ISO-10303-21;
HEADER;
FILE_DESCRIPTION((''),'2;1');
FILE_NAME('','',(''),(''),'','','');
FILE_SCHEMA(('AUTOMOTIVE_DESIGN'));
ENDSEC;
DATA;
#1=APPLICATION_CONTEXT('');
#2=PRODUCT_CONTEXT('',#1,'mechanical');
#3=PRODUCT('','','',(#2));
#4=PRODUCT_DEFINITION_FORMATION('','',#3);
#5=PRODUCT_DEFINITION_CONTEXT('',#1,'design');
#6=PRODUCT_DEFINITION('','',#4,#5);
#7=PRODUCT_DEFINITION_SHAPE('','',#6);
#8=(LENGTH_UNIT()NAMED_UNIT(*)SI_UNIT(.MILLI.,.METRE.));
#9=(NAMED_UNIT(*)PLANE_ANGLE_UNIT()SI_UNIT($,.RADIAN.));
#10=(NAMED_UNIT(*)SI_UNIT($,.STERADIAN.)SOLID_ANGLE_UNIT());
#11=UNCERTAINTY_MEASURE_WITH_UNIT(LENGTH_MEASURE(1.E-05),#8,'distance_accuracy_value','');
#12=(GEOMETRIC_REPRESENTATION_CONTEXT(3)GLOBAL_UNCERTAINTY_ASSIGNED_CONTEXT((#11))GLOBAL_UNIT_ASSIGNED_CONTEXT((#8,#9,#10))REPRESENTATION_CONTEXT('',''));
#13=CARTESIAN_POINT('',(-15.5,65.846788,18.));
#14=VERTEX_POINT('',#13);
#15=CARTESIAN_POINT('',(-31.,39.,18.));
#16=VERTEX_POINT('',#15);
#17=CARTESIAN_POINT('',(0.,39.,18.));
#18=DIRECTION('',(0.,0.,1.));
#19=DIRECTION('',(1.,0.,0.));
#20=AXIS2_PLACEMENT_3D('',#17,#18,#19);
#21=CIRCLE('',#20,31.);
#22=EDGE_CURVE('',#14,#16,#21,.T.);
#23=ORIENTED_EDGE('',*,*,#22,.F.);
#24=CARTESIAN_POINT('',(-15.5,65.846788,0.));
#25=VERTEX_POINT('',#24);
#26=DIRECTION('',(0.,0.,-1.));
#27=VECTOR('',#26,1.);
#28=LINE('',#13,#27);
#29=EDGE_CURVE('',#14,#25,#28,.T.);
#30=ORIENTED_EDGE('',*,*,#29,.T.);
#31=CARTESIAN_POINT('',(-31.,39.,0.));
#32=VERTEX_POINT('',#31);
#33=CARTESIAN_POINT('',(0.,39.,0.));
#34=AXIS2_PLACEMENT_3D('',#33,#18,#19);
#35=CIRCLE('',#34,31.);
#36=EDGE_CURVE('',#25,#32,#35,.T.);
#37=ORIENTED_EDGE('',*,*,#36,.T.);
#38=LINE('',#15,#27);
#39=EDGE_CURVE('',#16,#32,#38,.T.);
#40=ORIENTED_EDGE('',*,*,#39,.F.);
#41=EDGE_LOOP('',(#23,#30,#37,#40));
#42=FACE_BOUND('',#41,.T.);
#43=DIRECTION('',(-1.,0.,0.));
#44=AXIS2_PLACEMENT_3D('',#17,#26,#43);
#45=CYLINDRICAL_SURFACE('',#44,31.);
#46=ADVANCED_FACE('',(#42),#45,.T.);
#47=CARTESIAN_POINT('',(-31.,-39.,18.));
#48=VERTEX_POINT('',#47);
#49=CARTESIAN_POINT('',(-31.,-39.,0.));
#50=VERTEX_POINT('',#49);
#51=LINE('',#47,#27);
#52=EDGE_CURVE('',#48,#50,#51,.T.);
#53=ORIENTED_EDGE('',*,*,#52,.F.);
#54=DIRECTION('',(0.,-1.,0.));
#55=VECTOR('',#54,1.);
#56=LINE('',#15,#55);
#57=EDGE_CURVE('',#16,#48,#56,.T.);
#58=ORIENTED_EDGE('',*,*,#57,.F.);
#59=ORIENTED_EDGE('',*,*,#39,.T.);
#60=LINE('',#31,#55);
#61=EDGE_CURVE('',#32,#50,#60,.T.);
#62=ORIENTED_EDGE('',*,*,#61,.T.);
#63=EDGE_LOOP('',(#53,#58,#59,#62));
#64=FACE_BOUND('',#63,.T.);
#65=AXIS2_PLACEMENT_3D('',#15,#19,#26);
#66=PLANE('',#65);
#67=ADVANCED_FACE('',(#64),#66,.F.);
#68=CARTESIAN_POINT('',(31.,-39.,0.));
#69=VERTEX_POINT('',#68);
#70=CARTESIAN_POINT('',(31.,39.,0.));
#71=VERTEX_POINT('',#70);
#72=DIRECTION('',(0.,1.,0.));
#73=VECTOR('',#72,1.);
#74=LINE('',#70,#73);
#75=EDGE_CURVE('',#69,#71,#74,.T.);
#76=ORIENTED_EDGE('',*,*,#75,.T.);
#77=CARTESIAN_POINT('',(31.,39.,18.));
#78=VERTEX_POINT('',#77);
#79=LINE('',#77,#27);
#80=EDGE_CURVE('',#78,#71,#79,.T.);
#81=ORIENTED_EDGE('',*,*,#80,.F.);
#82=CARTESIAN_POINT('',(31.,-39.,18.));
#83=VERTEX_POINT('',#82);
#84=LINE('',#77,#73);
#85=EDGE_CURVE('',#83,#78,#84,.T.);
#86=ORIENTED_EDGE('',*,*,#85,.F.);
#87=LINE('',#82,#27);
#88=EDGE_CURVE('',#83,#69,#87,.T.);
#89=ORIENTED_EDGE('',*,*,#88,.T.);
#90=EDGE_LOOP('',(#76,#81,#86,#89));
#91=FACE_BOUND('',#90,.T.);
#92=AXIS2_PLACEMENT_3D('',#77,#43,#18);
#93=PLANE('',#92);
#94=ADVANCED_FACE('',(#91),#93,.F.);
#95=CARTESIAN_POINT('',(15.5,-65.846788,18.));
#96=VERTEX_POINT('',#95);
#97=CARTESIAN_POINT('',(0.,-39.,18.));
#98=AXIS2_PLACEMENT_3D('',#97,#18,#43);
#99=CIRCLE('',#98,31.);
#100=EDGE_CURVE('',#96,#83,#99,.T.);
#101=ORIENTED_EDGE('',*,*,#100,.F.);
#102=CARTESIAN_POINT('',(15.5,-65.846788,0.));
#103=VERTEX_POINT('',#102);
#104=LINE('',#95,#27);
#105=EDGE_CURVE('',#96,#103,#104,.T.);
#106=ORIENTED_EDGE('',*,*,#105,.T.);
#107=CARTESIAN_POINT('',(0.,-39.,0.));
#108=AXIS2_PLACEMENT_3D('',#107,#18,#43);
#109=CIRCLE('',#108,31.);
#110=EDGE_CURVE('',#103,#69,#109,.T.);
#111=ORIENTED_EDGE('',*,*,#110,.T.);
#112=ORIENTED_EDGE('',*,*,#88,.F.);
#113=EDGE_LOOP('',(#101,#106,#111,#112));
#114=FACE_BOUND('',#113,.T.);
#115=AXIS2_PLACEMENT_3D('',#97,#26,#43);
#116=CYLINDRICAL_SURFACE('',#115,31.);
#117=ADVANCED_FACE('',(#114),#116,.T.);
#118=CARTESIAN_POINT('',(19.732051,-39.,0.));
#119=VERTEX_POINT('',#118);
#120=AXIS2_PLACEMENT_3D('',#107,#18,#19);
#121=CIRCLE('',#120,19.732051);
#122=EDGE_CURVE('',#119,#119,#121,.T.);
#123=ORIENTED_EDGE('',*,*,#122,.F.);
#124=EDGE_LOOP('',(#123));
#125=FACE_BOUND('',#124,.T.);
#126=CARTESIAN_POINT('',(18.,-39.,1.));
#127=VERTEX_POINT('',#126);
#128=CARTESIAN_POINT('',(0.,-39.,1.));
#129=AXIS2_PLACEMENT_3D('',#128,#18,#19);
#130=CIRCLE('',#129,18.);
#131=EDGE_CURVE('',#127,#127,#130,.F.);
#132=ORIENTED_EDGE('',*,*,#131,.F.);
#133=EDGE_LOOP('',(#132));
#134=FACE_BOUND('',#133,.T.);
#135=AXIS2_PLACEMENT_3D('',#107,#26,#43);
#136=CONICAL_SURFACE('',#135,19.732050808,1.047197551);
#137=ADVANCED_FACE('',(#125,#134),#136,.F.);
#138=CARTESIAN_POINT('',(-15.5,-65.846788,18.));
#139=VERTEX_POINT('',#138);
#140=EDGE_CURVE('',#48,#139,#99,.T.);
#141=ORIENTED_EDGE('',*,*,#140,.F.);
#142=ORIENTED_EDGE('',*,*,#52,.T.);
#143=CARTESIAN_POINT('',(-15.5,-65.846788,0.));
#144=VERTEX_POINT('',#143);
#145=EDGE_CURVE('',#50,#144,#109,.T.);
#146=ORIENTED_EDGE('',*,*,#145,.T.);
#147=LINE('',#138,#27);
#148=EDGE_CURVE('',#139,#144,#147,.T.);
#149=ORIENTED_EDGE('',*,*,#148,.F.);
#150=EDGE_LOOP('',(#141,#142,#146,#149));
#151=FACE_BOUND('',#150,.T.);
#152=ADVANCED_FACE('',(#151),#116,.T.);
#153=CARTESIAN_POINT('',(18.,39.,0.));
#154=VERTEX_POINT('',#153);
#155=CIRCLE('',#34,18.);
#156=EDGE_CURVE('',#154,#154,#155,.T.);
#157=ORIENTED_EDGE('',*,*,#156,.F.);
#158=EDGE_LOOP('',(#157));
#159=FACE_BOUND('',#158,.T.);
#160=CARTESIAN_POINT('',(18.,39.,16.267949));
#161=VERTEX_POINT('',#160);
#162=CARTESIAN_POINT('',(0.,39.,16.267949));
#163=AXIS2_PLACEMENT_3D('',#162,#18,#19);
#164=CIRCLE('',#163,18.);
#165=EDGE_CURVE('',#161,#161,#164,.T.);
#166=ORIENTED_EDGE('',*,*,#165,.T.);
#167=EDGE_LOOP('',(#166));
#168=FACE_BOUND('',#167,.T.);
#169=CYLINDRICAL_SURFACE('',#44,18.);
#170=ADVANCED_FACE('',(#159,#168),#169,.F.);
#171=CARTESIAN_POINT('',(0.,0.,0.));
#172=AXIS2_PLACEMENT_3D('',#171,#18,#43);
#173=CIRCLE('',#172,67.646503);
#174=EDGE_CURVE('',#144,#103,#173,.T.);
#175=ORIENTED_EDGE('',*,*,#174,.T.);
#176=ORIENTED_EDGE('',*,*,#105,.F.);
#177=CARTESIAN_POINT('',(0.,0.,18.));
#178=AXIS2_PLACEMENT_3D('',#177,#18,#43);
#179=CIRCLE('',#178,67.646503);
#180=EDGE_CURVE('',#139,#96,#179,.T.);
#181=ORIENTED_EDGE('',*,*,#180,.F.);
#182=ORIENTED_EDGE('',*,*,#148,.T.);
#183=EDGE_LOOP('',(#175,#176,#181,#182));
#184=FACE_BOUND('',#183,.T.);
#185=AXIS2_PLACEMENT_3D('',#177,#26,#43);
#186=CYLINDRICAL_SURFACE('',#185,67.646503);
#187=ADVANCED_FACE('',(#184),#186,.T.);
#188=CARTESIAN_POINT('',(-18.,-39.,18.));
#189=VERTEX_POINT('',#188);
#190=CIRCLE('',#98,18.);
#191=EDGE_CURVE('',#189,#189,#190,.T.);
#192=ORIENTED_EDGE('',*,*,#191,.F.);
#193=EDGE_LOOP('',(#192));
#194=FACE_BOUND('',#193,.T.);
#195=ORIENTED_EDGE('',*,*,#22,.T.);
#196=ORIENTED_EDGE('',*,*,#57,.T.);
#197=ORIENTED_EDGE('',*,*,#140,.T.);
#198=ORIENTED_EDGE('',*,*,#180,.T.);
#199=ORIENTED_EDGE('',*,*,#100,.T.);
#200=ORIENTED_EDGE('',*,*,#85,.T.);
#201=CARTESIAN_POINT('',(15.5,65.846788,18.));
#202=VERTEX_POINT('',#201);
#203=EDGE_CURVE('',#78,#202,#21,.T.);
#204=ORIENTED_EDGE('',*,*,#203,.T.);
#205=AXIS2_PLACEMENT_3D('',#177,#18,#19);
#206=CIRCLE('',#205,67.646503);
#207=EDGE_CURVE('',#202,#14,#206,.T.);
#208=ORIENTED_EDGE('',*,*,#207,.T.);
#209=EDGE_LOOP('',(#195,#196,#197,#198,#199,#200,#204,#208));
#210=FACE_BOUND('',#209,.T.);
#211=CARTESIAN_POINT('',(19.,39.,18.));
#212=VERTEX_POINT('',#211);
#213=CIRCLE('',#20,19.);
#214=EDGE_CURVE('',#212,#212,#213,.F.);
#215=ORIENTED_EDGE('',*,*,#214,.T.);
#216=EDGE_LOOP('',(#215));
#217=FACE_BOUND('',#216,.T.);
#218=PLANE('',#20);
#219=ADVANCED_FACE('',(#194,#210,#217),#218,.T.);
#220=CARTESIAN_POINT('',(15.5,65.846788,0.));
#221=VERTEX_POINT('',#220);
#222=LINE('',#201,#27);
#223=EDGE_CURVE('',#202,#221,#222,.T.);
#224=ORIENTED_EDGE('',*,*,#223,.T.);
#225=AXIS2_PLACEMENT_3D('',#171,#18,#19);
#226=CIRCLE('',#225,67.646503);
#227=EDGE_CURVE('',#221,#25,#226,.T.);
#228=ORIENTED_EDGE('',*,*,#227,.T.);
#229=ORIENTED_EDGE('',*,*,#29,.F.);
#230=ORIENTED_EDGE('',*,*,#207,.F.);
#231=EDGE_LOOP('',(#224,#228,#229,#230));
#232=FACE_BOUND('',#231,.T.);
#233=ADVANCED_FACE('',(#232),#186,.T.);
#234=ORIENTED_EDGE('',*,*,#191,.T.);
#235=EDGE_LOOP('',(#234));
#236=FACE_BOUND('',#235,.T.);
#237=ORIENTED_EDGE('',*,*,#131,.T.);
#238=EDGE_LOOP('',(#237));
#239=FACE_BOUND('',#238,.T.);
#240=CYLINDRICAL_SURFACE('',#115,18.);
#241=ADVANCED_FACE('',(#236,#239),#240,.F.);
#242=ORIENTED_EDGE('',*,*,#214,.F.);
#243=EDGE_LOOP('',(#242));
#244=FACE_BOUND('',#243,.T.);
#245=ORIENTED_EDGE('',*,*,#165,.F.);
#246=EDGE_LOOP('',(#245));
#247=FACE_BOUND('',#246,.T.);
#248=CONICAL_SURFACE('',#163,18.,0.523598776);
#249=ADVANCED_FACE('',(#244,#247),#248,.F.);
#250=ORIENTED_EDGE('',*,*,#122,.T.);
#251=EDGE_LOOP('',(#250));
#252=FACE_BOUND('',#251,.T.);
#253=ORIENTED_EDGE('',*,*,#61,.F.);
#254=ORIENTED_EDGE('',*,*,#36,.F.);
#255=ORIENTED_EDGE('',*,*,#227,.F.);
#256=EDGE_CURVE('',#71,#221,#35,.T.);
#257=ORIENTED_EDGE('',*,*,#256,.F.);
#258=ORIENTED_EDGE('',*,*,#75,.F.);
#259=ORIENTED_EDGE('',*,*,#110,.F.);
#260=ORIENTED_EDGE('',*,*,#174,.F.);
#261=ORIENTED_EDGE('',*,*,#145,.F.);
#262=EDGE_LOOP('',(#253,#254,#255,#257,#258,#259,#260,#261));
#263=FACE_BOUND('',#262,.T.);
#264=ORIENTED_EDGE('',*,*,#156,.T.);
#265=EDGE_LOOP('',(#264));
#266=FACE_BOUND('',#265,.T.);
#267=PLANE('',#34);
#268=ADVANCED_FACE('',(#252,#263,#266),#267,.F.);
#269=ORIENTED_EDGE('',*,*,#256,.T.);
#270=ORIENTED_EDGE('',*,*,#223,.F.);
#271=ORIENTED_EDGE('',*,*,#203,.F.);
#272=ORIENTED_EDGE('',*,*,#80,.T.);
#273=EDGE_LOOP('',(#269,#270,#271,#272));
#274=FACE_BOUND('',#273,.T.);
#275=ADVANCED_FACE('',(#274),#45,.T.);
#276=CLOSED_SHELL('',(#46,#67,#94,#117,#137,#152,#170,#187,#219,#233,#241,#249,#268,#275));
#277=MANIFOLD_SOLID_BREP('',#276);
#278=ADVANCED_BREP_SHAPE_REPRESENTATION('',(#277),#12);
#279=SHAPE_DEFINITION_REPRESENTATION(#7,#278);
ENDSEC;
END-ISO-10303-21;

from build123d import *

# Parameters (mm, degrees)
SKETCH_1_R      = 18
EXTRUDE_1_DEPTH = 18
CHAMFER_1_SIZE  = 1
CHAMFER_1_SIZE2 = 1.732050808
CHAMFER_2_SIZE  = 1
CHAMFER_2_SIZE2 = 1.732050808


with BuildPart() as part:
    # Эскиз1 → Бобышка-Вытянуть1 (new body)
    with BuildSketch(Plane.XY):
        with BuildLine():
            Line((-31, 39), (-31, -39))
            ThreePointArc((-31, -39), (-26.846787517, -54.5), (-15.5, -65.846787517))
            ThreePointArc((-15.5, -65.846787517), (0, -67.64650343), (15.5, -65.846787517))
            ThreePointArc((15.5, -65.846787517), (26.846787517, -54.5), (31, -39))
            Line((31, -39), (31, 39))
            ThreePointArc((31, 39), (26.846787517, 54.5), (15.5, 65.846787517))
            ThreePointArc((15.5, 65.846787517), (0, 67.64650343), (-15.5, 65.846787517))
            ThreePointArc((-15.5, 65.846787517), (-26.846787517, 54.5), (-31, 39))
        make_face()
        with Locations((0, 39)):
            Circle(SKETCH_1_R, mode=Mode.SUBTRACT)
        with Locations(Location((0, -39, 0), (0, 0, 180))):
            Circle(SKETCH_1_R, mode=Mode.SUBTRACT)
    extrude(amount=EXTRUDE_1_DEPTH)

    # Фаска1
    chamfer_1_edges = [part.edges().sort_by_distance(p)[0] for p in [
        (-18, 39, 18),
    ]]
    chamfer_1_side = [part.faces().sort_by_distance(p)[0] for p in [
        (0, 0, 18),
    ]]
    chamfer(chamfer_1_edges, length=CHAMFER_1_SIZE, length2=CHAMFER_1_SIZE2, reference=chamfer_1_side[0])

    # Фаска2
    chamfer_2_edges = [part.edges().sort_by_distance(p)[0] for p in [
        (18, -39, 0),
    ]]
    chamfer_2_side = [part.faces().sort_by_distance(p)[0] for p in [
        (18, -39, 9),
    ]]
    chamfer(chamfer_2_edges, length=CHAMFER_2_SIZE, length2=CHAMFER_2_SIZE2, reference=chamfer_2_side[0])


solid = part.part
